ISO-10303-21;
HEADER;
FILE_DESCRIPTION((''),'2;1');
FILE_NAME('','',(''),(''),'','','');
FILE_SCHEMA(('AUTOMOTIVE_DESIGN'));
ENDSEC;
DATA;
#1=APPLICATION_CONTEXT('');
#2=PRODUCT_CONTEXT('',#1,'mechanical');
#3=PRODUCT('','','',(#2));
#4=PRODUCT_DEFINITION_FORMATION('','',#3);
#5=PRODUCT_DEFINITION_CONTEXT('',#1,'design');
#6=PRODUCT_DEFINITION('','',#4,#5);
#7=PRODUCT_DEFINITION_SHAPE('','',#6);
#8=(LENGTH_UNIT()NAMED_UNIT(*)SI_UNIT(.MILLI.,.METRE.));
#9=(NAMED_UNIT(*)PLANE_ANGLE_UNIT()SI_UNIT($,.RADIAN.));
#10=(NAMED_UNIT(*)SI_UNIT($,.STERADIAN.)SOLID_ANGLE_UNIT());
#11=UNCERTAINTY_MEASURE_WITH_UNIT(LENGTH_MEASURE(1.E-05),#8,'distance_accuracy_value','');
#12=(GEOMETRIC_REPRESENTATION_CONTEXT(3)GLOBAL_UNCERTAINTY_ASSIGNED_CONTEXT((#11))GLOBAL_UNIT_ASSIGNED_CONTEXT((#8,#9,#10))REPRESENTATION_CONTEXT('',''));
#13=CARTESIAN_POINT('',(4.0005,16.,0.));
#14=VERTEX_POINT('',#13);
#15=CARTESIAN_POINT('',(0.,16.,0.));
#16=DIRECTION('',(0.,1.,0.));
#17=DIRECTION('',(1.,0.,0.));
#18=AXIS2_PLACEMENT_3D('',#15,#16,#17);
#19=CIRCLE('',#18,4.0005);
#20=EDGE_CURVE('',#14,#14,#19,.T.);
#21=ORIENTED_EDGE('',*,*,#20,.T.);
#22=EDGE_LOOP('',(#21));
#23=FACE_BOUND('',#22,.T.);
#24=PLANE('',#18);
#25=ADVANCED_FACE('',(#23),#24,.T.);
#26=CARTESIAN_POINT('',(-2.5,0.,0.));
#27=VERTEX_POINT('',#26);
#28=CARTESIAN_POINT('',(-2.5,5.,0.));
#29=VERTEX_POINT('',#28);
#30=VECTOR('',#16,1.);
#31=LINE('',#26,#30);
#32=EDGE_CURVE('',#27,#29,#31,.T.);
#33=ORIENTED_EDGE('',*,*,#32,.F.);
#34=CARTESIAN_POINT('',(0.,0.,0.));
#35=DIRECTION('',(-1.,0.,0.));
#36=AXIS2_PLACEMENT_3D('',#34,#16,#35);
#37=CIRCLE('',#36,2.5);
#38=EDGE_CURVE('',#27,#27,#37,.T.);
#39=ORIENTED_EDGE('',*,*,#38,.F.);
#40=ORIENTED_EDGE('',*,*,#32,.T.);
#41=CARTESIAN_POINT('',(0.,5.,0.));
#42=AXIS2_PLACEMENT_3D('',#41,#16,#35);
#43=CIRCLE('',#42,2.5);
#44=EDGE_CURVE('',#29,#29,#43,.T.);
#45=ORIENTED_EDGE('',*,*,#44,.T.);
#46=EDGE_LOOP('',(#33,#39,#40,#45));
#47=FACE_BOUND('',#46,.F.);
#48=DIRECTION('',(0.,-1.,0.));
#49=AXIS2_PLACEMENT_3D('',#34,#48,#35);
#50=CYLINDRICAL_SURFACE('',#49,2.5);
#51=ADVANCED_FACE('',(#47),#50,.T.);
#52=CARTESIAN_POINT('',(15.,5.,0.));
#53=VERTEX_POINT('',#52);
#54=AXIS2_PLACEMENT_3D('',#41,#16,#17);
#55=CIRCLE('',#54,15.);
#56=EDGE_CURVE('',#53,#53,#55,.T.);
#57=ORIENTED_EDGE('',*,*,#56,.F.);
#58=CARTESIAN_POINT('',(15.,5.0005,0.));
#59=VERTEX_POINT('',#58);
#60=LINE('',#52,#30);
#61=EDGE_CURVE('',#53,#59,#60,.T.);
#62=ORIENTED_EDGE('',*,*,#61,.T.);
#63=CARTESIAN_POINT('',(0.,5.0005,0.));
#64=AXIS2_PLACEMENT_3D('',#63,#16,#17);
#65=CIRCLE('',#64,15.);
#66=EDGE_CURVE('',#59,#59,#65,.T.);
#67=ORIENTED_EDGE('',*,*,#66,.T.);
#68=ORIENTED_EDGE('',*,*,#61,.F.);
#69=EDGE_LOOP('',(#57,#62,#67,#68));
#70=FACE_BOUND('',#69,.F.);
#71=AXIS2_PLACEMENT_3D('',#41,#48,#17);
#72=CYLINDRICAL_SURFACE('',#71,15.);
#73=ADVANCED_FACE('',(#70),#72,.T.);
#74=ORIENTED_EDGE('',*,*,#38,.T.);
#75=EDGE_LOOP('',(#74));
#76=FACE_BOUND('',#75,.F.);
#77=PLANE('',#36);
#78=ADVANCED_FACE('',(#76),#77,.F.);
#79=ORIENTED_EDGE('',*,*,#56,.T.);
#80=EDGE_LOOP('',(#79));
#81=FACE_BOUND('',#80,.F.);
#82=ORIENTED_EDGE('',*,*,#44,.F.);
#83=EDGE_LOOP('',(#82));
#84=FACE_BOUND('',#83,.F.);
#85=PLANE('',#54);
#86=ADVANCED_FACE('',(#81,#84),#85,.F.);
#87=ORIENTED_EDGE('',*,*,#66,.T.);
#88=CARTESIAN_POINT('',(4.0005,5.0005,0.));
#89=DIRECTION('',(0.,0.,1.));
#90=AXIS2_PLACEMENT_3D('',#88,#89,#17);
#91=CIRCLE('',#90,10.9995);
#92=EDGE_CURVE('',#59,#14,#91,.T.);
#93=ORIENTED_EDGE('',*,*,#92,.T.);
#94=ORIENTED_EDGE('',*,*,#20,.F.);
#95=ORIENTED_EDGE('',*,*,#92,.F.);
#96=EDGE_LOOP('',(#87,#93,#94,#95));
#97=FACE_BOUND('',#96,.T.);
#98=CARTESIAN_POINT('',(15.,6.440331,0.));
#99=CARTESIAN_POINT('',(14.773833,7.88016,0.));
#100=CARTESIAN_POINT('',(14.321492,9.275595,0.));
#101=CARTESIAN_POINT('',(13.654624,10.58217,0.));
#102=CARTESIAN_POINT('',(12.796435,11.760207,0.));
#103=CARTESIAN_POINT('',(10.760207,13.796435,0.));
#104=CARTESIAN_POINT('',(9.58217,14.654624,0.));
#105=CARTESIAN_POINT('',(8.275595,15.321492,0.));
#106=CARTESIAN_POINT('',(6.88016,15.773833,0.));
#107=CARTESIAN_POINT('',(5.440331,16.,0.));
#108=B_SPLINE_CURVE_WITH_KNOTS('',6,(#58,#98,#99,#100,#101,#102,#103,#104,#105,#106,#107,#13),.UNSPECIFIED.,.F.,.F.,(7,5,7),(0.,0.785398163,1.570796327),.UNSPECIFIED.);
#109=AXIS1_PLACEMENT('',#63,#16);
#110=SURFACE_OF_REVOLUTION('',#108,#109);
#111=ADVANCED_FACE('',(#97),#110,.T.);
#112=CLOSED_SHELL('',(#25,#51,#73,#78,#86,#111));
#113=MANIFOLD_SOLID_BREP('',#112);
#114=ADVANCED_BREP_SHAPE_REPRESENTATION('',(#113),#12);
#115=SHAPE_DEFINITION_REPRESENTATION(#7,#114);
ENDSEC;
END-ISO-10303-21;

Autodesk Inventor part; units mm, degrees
ref_plane "YZ Plane" through (0, 0, 0) normal (1, 0, 0) x (0, 1, 0)
ref_plane "XZ Plane" through (0, 0, 0) normal (0, 1, 0) x (-1, 0, 0)
ref_plane "XY Plane" through (0, 0, 0) normal (0, 0, 1) x (1, 0, 0)
sketch "Sketch1" plane through (0, 0, 0) normal (0, 1, 0) x (-1, 0, 0)
  circle A0 centre (0, 0) radius 2.5
  dimension "d0" = 5
extrude "Extrusion1" add sketch "Sketch1" along normal blind 5
sketch "Sketch2" plane through (0, 5, 0) normal (0, 1, 0) x (1, 0, 0)
  circle A0 centre (0, 0) radius 15
  dimension "d3" = 30
extrude "Extrusion2" add sketch "Sketch2" along normal blind 11
fillet "Fillet1" radius 11 1 edges at (-15, 16, 0)
properties part number "Video_anthena"
